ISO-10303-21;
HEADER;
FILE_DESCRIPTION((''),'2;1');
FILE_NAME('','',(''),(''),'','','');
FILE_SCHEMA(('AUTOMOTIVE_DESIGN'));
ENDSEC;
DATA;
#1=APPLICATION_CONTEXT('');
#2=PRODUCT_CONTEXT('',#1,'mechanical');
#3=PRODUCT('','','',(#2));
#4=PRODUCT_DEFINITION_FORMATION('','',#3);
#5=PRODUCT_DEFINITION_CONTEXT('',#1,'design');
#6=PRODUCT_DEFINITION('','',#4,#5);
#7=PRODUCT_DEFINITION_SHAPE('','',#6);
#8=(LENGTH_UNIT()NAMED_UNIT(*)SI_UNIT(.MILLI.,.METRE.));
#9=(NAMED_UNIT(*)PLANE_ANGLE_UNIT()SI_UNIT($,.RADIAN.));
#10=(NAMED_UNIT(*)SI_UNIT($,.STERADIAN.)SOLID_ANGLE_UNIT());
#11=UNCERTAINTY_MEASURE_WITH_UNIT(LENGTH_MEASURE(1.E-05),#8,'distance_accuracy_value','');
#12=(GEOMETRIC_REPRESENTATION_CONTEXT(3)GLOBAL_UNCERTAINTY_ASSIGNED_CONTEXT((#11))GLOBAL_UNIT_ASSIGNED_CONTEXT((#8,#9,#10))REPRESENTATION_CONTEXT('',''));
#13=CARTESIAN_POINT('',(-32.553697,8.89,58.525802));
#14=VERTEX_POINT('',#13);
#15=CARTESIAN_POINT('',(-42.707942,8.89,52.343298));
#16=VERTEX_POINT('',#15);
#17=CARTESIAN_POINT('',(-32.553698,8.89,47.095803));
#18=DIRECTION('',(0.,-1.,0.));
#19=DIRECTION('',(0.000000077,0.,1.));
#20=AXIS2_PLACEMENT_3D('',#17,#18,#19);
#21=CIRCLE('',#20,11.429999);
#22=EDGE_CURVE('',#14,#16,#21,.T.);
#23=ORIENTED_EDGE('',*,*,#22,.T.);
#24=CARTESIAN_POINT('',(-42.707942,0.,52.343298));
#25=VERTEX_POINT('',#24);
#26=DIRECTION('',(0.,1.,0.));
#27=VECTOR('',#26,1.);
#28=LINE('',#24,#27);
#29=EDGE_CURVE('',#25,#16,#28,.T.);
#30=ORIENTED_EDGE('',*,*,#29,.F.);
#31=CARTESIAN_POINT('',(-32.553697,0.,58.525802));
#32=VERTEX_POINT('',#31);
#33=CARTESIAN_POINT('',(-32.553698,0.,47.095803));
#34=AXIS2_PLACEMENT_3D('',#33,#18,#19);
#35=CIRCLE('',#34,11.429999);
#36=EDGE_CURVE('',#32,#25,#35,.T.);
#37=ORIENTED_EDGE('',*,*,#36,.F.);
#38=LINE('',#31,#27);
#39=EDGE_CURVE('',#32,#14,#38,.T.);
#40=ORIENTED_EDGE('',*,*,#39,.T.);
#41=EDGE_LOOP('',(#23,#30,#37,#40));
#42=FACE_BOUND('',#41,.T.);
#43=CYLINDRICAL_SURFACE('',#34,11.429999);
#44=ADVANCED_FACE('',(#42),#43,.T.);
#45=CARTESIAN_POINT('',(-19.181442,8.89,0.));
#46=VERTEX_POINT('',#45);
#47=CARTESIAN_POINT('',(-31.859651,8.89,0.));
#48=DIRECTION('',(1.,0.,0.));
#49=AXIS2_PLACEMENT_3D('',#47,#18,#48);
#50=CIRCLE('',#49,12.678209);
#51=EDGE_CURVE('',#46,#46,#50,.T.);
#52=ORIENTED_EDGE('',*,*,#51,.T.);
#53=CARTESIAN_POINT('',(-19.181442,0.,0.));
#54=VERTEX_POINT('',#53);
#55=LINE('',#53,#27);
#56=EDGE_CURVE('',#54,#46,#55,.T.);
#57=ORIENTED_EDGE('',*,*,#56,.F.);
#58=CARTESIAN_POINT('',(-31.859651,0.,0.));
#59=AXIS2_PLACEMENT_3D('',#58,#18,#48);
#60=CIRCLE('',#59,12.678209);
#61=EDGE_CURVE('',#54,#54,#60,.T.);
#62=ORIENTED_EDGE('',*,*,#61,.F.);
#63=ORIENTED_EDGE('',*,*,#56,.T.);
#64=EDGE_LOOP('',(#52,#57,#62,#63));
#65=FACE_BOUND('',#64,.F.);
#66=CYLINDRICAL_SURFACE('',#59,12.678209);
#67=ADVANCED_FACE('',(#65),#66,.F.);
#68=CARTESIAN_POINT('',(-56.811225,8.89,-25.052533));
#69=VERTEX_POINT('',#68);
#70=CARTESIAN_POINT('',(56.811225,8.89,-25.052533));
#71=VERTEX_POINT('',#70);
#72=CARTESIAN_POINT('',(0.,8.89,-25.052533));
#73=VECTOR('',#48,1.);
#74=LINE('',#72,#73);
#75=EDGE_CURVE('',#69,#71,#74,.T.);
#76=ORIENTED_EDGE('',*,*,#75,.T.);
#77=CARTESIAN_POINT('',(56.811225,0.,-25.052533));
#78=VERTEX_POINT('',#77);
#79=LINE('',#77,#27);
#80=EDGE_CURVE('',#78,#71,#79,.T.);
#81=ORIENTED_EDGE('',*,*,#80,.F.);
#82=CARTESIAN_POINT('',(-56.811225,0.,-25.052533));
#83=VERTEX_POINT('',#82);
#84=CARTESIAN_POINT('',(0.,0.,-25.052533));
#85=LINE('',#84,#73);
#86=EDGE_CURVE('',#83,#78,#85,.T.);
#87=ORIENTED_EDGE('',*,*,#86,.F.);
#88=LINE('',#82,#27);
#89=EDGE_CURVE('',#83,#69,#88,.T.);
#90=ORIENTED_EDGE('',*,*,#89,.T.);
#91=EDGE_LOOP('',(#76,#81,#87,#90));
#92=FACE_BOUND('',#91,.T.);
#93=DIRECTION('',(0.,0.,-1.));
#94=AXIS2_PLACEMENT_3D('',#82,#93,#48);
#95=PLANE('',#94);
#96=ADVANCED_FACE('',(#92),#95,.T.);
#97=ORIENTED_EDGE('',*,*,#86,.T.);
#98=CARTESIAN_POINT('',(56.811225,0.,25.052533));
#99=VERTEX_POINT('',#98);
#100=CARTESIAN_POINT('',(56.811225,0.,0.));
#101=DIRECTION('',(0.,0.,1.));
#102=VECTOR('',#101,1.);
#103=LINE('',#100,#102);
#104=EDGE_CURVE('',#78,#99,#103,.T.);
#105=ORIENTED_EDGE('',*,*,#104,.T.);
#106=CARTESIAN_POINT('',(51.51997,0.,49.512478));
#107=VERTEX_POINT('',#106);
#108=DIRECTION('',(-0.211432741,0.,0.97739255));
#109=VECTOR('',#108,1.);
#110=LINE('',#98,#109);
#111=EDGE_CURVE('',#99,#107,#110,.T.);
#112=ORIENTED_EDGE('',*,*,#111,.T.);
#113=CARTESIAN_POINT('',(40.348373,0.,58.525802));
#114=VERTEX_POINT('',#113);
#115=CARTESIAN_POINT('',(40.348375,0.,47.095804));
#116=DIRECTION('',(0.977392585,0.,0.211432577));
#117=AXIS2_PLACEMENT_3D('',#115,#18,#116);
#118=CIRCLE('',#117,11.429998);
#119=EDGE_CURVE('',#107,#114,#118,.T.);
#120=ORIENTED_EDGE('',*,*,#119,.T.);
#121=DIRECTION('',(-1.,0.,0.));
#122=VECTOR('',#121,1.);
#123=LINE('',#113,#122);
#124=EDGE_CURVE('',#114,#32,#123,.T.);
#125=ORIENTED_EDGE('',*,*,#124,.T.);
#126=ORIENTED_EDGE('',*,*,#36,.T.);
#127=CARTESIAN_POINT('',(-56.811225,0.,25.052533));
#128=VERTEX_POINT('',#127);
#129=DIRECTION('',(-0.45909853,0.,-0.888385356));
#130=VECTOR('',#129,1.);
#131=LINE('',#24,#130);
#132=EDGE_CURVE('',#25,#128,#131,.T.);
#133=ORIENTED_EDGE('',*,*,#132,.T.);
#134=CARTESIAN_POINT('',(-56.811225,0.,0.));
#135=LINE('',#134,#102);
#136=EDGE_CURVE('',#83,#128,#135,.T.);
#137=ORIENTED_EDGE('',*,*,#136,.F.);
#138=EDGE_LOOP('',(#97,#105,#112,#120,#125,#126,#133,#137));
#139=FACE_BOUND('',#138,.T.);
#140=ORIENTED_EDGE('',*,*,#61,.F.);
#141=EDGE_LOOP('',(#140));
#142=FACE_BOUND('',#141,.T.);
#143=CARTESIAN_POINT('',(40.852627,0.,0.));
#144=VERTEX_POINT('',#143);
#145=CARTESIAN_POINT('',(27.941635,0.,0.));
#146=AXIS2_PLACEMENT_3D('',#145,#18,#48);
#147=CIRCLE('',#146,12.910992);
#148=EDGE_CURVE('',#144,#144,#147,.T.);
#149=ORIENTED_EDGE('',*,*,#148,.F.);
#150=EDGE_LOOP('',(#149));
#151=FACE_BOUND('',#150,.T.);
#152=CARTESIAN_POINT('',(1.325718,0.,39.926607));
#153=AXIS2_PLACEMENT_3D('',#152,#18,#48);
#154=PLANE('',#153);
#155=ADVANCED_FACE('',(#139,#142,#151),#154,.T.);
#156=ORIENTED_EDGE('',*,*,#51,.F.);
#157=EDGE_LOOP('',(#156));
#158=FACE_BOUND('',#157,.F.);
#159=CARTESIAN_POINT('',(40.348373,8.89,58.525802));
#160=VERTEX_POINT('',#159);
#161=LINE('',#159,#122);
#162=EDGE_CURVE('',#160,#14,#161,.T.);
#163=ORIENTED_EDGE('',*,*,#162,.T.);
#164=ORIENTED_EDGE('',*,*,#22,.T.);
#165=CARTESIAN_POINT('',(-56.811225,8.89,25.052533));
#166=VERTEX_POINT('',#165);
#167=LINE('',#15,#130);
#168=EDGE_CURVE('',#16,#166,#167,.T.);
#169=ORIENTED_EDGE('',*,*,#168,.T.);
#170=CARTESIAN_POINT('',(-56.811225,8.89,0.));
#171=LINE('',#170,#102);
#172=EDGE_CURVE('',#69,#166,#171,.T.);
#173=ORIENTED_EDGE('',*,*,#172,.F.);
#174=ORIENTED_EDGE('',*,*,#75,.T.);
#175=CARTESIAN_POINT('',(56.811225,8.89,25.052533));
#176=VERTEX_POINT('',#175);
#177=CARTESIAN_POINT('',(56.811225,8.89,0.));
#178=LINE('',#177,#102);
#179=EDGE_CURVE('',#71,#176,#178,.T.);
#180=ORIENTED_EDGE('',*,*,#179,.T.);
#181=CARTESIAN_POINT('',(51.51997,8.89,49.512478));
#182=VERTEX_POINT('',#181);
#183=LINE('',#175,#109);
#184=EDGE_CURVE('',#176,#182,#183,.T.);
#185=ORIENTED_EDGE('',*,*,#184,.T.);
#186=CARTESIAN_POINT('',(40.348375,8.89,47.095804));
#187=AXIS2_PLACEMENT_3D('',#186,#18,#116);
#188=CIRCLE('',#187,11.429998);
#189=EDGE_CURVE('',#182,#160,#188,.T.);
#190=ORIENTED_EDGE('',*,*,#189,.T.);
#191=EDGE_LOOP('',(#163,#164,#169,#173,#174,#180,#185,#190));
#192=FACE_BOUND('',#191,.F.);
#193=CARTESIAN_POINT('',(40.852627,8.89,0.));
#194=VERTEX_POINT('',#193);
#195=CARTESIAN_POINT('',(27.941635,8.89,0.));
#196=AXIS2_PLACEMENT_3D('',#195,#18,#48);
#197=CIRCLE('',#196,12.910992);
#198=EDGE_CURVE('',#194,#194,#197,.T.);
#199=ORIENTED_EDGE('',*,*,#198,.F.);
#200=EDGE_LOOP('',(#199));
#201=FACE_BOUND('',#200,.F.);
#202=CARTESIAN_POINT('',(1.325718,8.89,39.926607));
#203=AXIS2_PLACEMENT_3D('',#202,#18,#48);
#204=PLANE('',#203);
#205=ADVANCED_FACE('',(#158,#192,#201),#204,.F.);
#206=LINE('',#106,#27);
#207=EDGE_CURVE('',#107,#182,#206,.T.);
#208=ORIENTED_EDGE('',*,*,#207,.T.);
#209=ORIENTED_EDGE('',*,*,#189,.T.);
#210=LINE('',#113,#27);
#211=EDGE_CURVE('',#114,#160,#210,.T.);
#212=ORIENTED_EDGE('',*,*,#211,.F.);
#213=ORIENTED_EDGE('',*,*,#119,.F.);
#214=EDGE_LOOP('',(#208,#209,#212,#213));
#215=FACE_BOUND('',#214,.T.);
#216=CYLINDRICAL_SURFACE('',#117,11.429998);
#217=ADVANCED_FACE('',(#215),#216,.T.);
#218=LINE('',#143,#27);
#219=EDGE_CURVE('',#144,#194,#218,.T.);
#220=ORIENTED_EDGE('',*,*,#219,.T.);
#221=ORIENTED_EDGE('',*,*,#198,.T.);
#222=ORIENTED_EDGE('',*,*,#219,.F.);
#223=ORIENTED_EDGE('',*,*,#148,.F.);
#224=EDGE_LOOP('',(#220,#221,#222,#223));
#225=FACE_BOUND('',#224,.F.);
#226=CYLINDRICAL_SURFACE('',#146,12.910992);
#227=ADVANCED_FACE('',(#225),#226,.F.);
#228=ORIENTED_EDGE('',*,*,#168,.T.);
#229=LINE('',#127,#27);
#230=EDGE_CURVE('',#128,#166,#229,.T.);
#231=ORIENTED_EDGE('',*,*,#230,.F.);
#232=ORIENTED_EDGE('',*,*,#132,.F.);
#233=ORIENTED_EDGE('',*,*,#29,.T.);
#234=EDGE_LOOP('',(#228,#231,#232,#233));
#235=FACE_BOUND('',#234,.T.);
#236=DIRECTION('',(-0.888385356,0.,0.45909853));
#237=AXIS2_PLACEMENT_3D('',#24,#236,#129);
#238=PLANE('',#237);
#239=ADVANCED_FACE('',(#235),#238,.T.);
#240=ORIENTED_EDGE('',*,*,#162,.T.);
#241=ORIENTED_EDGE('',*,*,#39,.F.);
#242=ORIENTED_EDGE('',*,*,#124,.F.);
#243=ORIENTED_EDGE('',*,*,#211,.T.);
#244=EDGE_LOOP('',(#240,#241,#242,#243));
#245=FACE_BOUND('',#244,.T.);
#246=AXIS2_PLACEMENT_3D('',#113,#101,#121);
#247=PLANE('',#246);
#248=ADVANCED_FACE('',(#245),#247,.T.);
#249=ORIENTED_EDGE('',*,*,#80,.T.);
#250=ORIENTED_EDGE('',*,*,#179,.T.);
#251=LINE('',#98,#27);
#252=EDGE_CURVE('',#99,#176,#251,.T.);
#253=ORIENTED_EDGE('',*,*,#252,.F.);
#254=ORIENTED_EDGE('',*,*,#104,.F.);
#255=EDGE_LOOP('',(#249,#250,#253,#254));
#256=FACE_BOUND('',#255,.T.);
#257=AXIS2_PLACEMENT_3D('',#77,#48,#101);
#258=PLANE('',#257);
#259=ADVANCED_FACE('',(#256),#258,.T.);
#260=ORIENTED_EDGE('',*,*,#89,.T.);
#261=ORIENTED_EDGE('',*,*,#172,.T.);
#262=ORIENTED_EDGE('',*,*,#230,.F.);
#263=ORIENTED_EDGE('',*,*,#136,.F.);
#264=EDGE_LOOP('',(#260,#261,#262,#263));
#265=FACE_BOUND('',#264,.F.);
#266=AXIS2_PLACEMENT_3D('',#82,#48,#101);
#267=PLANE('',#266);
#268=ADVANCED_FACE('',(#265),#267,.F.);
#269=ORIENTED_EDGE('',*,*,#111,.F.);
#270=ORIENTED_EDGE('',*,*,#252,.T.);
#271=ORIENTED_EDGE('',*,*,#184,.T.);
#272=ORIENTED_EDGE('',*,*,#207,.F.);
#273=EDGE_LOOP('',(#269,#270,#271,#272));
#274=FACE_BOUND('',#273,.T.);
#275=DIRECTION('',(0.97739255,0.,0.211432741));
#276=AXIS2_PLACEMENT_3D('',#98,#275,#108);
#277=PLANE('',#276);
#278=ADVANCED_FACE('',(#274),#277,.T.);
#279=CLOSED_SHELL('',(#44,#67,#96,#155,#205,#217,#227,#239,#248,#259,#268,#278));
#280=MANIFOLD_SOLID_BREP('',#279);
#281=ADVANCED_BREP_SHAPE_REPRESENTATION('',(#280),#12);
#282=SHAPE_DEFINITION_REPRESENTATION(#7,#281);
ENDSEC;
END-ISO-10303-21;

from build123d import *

# Parameters (mm, degrees)
F0_W     = 113.62245
F0_H     = 50.105066
F0_R     = 12.678209
F0_R_2   = 12.910992
F1_DEPTH = 8.89


with BuildPart() as f1:
    # F0 (on Front) → F1 (new body)
    with BuildSketch(Plane.XZ):
        with BuildLine():
            Line((-42.707942, 52.343298), (-56.811225, 25.052533))
            Line((-56.811225, 25.052533), (56.811225, 25.052533))
            Line((56.811225, 25.052533), (51.51997, 49.512478))
            ThreePointArc((51.51997, 49.512478), (47.5255, 55.991518), (40.348373, 58.525802))
            Line((40.348373, 58.525802), (-32.553697, 58.525802))
            ThreePointArc((-32.553697, 58.525802), (-38.497855, 56.858583), (-42.707942, 52.343298))
        make_face()
        Rectangle(F0_W, F0_H)
        with Locations((-31.859651, 0)):
            Circle(F0_R, mode=Mode.SUBTRACT)
        with Locations((27.941635, 0)):
            Circle(F0_R_2, mode=Mode.SUBTRACT)
    extrude(amount=-F1_DEPTH)


solid = f1.part
